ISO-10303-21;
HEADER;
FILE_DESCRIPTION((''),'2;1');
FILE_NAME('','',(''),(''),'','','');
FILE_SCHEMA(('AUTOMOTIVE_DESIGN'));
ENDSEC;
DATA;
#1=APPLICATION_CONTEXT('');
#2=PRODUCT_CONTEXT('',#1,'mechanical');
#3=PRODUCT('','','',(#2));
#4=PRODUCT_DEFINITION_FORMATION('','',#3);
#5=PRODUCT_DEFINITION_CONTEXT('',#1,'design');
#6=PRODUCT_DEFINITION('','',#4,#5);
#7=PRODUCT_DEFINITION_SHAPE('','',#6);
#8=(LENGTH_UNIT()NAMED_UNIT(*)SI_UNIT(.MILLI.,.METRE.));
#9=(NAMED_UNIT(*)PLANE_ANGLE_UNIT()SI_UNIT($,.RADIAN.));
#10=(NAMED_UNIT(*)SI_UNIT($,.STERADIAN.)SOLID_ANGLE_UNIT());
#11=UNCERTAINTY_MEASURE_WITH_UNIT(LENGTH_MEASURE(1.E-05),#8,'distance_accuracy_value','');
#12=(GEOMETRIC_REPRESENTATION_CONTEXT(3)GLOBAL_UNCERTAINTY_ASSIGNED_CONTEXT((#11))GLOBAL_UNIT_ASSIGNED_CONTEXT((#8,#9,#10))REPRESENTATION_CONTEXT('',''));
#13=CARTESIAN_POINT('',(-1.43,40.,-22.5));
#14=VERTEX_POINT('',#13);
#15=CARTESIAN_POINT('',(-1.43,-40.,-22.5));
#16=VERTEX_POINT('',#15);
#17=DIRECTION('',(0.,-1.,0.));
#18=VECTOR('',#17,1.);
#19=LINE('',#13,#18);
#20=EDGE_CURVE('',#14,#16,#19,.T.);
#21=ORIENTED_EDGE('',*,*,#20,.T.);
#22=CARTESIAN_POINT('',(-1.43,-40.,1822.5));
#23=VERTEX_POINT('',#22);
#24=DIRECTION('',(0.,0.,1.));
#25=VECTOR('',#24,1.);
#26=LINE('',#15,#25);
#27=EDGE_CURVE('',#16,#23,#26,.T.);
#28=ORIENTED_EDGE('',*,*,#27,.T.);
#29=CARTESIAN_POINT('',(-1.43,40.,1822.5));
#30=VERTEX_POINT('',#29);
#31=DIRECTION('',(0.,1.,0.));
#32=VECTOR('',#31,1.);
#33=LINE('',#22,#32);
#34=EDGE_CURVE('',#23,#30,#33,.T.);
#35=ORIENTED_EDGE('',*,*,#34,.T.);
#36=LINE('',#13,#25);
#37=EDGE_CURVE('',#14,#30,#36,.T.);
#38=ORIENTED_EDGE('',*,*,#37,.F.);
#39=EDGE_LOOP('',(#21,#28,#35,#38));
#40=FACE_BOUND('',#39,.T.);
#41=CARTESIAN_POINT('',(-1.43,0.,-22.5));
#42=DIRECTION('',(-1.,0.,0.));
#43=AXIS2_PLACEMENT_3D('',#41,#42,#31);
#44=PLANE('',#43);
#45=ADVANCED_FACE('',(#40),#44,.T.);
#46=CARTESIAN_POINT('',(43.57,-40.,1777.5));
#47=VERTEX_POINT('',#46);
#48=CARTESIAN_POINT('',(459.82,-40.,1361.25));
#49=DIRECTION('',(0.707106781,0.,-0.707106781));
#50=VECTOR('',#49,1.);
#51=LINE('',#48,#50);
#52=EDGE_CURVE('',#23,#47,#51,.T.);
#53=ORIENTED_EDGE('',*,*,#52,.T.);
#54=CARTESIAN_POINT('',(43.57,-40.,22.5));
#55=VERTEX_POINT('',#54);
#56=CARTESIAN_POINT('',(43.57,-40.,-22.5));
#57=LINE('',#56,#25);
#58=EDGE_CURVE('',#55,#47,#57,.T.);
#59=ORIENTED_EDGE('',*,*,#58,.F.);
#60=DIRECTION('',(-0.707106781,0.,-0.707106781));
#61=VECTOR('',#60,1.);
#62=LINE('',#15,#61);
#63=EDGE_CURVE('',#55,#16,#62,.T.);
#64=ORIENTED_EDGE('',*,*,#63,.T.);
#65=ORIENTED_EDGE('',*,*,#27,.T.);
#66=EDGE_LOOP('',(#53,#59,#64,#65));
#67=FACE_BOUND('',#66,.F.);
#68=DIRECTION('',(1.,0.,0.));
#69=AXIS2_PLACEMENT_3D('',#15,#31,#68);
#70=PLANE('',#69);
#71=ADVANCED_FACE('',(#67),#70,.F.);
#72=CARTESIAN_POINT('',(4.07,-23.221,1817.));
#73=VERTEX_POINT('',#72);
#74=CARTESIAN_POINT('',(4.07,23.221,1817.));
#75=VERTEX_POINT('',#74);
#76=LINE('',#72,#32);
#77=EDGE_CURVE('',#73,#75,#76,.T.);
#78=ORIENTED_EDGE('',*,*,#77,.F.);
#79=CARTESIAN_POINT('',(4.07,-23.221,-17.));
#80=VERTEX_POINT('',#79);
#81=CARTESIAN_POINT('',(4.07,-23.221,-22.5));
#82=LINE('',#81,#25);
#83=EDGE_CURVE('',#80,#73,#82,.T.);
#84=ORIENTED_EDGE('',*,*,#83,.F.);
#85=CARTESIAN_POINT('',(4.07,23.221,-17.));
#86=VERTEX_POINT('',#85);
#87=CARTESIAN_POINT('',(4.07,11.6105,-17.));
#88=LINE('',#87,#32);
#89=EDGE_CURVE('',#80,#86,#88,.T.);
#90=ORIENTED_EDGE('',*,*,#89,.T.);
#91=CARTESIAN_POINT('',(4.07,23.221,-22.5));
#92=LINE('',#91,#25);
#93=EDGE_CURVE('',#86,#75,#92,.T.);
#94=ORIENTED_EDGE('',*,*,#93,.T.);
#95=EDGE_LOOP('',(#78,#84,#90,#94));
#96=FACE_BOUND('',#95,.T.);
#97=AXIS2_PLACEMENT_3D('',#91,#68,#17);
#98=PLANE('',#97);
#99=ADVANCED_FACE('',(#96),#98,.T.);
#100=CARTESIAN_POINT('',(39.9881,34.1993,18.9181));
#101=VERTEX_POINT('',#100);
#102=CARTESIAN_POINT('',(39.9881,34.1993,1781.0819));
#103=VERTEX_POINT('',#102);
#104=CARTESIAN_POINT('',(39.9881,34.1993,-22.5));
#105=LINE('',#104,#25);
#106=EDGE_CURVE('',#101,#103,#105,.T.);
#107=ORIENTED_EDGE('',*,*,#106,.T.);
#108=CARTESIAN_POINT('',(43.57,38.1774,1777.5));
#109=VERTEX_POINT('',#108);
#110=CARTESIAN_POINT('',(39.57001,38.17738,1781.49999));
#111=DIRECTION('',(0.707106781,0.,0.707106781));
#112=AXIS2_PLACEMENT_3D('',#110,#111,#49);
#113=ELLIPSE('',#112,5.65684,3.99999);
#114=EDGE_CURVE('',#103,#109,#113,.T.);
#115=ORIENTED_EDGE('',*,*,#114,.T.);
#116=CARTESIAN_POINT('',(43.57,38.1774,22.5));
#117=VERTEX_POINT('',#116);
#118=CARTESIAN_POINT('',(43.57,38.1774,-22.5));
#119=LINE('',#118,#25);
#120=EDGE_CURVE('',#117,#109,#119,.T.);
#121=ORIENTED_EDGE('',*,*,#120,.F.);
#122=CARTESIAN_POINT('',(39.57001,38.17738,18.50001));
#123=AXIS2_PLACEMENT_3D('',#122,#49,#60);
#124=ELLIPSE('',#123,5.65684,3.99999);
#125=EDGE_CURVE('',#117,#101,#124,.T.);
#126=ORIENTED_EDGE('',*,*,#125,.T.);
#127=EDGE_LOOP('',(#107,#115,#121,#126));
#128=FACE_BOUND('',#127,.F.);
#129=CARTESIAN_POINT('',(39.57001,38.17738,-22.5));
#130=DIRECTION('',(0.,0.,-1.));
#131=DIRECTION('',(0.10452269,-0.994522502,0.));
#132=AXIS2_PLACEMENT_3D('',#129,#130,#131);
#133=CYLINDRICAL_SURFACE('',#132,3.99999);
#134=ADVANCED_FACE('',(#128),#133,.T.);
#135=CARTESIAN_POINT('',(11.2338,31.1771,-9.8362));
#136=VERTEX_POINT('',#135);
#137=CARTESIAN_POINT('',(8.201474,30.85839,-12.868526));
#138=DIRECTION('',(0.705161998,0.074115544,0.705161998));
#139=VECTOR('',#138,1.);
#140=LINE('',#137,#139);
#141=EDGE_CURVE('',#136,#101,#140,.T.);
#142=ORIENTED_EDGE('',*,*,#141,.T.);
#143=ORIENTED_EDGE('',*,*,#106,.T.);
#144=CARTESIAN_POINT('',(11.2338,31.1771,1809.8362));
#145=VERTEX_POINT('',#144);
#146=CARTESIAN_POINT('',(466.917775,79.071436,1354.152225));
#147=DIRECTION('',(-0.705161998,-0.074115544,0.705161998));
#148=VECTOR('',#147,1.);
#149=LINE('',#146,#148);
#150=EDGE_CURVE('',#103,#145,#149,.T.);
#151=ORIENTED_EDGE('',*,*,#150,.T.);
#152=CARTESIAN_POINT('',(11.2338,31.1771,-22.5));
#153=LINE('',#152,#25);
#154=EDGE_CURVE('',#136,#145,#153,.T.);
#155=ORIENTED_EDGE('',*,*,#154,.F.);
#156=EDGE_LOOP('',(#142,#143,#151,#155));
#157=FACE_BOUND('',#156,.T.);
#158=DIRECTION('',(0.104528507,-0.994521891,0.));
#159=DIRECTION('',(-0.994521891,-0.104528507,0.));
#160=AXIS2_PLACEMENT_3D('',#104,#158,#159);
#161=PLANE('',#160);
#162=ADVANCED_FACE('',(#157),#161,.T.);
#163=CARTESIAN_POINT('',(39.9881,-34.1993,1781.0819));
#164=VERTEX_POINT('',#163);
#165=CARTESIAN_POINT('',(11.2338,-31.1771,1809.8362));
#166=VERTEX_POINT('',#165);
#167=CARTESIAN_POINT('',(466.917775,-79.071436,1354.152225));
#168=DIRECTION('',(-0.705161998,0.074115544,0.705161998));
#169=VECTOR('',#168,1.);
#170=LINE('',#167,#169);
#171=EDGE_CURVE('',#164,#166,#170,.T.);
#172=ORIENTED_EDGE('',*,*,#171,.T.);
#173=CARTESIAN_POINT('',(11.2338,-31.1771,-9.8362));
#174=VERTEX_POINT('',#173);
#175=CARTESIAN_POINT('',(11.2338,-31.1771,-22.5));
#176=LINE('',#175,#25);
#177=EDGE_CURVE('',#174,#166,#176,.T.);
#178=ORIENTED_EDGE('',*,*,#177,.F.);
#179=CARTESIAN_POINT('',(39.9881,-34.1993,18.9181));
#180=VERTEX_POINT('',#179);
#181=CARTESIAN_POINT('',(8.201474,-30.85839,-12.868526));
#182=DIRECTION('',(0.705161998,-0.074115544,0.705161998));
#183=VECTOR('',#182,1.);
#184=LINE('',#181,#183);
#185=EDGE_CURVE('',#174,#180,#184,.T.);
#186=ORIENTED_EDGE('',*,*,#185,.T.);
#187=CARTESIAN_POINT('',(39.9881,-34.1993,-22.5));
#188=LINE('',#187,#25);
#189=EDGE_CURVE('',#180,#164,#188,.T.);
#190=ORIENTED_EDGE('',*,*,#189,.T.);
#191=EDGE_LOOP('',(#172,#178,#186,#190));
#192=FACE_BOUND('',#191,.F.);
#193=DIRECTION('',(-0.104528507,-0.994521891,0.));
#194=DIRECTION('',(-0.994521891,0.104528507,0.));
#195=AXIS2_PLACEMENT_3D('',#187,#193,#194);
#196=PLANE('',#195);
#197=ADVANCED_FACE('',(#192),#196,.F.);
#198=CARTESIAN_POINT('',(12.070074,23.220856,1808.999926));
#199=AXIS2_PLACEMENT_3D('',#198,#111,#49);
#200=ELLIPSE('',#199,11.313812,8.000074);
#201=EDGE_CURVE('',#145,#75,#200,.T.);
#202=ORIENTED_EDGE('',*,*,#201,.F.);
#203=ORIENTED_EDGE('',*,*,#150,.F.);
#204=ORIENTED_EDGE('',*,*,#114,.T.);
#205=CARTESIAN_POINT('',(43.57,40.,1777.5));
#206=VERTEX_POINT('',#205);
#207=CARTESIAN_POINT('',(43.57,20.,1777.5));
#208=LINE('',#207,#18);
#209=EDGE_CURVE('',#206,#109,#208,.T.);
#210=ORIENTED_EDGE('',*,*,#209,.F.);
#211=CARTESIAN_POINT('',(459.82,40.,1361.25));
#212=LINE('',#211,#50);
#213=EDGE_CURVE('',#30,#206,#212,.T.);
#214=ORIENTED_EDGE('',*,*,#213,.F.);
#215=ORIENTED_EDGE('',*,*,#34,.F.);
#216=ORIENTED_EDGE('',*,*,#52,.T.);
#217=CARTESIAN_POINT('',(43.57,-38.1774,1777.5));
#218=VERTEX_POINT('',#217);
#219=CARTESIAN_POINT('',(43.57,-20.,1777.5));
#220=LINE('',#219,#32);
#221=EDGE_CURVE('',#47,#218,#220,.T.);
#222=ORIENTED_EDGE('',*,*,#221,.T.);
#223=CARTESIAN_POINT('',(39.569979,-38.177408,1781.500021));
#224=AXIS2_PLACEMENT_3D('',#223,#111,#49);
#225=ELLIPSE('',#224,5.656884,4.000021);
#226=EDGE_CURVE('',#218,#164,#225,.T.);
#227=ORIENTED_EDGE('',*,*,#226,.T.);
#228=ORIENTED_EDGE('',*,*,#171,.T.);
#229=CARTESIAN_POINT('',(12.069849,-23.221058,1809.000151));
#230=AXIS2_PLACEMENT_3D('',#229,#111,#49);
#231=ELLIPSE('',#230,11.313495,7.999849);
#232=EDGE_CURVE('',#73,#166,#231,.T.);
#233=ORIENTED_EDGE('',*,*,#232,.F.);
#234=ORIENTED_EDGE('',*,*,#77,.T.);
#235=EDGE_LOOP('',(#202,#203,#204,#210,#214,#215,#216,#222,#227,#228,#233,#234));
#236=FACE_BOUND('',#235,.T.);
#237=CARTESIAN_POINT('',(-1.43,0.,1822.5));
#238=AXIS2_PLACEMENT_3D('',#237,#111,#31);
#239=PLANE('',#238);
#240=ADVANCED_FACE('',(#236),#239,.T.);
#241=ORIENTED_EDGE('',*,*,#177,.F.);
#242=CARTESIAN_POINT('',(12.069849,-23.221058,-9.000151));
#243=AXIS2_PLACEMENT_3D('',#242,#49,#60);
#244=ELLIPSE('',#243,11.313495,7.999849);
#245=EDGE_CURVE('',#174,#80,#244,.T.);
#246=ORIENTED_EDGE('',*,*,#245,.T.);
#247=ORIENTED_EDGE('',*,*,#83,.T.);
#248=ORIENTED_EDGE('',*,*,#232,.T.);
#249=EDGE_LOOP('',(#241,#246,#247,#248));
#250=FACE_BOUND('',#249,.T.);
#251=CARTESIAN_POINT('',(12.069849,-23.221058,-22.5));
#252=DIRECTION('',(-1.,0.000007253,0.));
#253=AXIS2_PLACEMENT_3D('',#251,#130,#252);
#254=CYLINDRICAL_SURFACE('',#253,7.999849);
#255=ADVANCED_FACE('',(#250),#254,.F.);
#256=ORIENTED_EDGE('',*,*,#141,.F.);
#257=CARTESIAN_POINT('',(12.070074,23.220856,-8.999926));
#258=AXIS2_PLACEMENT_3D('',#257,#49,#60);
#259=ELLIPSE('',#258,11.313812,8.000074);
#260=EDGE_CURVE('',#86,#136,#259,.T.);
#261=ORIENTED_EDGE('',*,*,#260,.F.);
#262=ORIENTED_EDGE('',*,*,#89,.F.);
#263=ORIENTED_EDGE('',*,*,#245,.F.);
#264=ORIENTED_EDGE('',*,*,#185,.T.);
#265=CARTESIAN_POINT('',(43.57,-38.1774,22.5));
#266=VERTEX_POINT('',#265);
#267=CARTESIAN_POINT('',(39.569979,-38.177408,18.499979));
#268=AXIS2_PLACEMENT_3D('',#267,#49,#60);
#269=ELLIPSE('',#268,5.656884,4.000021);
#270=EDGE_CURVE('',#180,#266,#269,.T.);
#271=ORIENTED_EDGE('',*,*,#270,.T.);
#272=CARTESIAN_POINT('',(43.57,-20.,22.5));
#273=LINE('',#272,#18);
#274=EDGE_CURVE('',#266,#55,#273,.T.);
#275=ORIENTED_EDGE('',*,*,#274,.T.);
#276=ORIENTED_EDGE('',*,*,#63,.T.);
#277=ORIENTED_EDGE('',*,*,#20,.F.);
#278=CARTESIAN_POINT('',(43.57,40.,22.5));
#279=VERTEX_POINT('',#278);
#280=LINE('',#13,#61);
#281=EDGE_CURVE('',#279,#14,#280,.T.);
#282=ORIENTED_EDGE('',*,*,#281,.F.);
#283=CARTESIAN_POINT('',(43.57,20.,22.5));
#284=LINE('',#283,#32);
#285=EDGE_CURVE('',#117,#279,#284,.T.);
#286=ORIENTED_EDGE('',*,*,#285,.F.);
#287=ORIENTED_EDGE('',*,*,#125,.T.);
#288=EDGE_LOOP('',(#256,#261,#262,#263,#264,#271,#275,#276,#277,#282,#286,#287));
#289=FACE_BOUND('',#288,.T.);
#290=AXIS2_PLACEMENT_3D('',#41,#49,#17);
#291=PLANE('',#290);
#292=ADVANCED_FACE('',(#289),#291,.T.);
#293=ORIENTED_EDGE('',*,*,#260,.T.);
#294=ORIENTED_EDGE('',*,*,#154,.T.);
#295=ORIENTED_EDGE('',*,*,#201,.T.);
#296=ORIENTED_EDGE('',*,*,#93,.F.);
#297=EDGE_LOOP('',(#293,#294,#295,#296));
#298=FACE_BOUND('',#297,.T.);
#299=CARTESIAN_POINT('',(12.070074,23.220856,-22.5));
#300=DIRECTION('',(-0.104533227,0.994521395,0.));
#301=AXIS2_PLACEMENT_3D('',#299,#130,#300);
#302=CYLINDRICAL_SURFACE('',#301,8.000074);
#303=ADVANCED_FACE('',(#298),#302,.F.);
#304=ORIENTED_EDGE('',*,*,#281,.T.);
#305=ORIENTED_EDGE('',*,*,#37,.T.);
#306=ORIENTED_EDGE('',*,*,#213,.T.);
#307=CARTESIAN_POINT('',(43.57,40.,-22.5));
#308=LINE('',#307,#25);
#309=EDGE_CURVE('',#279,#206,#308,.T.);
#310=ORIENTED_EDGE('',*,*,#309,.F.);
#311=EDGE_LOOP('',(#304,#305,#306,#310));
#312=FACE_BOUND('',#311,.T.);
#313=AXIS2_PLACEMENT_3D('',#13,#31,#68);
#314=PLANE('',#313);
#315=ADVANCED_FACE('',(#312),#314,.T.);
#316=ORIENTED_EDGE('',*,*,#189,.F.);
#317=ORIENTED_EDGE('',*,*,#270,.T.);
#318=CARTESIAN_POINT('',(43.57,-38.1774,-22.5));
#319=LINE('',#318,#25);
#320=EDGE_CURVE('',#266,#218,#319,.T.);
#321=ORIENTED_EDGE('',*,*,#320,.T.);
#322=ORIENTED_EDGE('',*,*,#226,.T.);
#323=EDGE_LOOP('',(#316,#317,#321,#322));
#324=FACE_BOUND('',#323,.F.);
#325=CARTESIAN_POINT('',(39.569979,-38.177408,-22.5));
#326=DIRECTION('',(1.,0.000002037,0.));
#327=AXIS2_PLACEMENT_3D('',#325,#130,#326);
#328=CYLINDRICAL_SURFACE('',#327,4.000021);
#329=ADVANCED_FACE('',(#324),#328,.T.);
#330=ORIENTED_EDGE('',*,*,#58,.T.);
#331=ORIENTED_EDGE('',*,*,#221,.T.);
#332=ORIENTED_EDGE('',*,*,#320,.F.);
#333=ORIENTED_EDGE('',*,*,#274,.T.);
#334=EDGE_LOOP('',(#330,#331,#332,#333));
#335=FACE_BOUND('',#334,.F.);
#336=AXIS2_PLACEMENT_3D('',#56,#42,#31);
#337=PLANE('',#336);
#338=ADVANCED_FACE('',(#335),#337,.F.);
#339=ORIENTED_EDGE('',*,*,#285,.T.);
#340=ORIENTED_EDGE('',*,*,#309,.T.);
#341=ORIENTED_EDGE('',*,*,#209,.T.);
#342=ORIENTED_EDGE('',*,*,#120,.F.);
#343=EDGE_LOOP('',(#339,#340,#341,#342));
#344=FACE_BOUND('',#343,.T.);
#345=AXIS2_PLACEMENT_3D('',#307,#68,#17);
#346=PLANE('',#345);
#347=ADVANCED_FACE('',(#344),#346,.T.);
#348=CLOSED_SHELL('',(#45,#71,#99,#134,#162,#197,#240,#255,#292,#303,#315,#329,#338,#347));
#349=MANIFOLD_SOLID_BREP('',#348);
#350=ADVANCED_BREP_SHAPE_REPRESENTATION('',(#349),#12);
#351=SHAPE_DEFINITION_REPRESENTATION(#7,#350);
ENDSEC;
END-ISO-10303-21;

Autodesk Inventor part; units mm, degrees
ref_plane "Начальная плоскость" through (0, 0, -22.5) normal (0, 0, 1) x (1, 0, 0)
ref_plane "Конечная плоскость" through (0, 0, 1822.5) normal (0, 0, 1) x (1, 0, 0)
sketch "Эскиз" plane through (0, 0, 0) normal (0, 0, 1) x (1, 0, 0)
  line L0 (-1.43, 0) -> (-1.43, 40)
  line L1 (-1.43, 40) -> (43.57, 40)
  line L2 (43.57, 40) -> (43.57, 38.1774)
  line L3 (39.9881, 34.1993) -> (11.2338, 31.1771)
  line L4 (4.07, 23.221) -> (4.07, 0)
  line L5 (4.07, 0) -> (-1.43, 0) construction
  line L6 (23.82, 40) -> (23.82, 32.5) construction
  line L7 (43.57, 34.5758) -> (43.57, 32.5) construction
  line L8 (43.57, 32.5) -> (23.82, 32.5) construction
  line L9 (0, 15) -> (0, -27) construction
  line L10 (-5.539, 0) -> (16.0067, 0) construction
  line L11 (-1.43, 0) -> (-1.43, -40)
  line L12 (-1.43, -40) -> (43.57, -40)
  line L13 (43.57, -40) -> (43.57, -38.1774)
  line L14 (39.9881, -34.1993) -> (11.2338, -31.1771)
  line L15 (4.07, -23.221) -> (4.07, 0)
  arc A0 (11.2338, 31.1771) -> (4.07, 23.221) centre (12.07, 23.221) ccw
  arc A1 (4.07, -23.221) -> (11.2338, -31.1771) centre (12.07, -23.221) ccw
  arc A2 (39.9881, 34.1993) -> (43.57, 38.1774) centre (39.57, 38.1774) ccw
  arc A3 (43.57, -38.1774) -> (39.9881, -34.1993) centre (39.57, -38.1774) ccw
  line L16 (0, 56) -> (0, -56) construction
  line L17 (-15.5135, 0) -> (54.308, 0) construction
  point P0 (4.07, 30.4242)
  point P1 (43.57, -34.5758)
  point P2 (4.07, -30.4242)
  point P3 (23.82, -40)
  point P4 (23.82, -32.5)
  dimension "d0" = 5.5
  dimension "d1" = 40
  dimension "d2" = 45
  dimension "d3" = 7.5
  dimension "d4" = 19.75
  dimension "d5" = 2.0758
  dimension "d23" = 8
  dimension "d24" = 4
  dimension "d25" = 1.43
extrude "Тело" add sketch "Эскиз" along normal up to surface (1845 mm away) from surface at -22.5
sketch "Sketch3" plane through (0, 0, 0) normal (0, 0, 1) x (1, 0, 0)
  line L0 (0, 0) -> (10, 0)
ref_plane "Work Plane3" through (0, 0, 0) normal (0, -1, 0) x (1, 0, 0)
sketch "Sketch4" plane through (0, 0, 0) normal (0, -1, 0) x (1, 0, 0)
  line L0 (-2, -22.5) -> (12, -22.5)
  line L1 (-2, 1822.5) -> (12, 1822.5)
  dimension "d29" = 1845
ref_plane "РабПлоскость4" through (-1.43, 0, 1822.5) normal (0.7071, 0, 0.7071) x (0.7071, 0, -0.7071)
split "Разделение1" plane through (-1.43, 0, 1822.5) removes the side toward (0.7071, 0, 0.7071)
ref_plane "РабПлоскость5" through (-1.43, 0, -22.5) normal (0.7071, 0, -0.7071) x (-0.7071, 0, -0.7071)
split "Разделение2" plane through (-1.43, 0, -22.5) removes the side toward (0.7071, 0, -0.7071)
equation "\"d0\" = G_T"
equation "\"d1\" = 0.5 * G_H"
equation "\"d2\" = G_W"
equation "\"d3\" = G_T1"
equation "\"d4\" = G_C"
equation "\"d23\" = G_IR"
equation "\"d24\" = G_ER"
equation "\"d25\" = ex"
equation "\"d6\" = G_L"
equation "\"G_W\" = 45"
equation "\"G_T\" = 5.5"
equation "\"G_T1\" = 7.5"
equation "\"G_NG\" = 0.105104"
equation "\"G_ER\" = 4"
equation "\"G_IR\" = 8"
equation "\"G_C\" = 19.75"
equation "\"G_L\" = d29"
equation "\"ex\" = 1.43"
equation "\"G_OFFSET_START\" = 22.5"
equation "\"G_OFFSET_END\" = 22.5"
equation "\"d26\" = -G_OFFSET_START"
equation "\"d27\" = G_OFFSET_END + B_L"
equation "\"G_H\" = 80"
equation "\"B_L\" = 1800"
properties part number "ISO 657/11 - CH 80 x 8 - 1845" material "Сталь нержавеющая, 440C"
